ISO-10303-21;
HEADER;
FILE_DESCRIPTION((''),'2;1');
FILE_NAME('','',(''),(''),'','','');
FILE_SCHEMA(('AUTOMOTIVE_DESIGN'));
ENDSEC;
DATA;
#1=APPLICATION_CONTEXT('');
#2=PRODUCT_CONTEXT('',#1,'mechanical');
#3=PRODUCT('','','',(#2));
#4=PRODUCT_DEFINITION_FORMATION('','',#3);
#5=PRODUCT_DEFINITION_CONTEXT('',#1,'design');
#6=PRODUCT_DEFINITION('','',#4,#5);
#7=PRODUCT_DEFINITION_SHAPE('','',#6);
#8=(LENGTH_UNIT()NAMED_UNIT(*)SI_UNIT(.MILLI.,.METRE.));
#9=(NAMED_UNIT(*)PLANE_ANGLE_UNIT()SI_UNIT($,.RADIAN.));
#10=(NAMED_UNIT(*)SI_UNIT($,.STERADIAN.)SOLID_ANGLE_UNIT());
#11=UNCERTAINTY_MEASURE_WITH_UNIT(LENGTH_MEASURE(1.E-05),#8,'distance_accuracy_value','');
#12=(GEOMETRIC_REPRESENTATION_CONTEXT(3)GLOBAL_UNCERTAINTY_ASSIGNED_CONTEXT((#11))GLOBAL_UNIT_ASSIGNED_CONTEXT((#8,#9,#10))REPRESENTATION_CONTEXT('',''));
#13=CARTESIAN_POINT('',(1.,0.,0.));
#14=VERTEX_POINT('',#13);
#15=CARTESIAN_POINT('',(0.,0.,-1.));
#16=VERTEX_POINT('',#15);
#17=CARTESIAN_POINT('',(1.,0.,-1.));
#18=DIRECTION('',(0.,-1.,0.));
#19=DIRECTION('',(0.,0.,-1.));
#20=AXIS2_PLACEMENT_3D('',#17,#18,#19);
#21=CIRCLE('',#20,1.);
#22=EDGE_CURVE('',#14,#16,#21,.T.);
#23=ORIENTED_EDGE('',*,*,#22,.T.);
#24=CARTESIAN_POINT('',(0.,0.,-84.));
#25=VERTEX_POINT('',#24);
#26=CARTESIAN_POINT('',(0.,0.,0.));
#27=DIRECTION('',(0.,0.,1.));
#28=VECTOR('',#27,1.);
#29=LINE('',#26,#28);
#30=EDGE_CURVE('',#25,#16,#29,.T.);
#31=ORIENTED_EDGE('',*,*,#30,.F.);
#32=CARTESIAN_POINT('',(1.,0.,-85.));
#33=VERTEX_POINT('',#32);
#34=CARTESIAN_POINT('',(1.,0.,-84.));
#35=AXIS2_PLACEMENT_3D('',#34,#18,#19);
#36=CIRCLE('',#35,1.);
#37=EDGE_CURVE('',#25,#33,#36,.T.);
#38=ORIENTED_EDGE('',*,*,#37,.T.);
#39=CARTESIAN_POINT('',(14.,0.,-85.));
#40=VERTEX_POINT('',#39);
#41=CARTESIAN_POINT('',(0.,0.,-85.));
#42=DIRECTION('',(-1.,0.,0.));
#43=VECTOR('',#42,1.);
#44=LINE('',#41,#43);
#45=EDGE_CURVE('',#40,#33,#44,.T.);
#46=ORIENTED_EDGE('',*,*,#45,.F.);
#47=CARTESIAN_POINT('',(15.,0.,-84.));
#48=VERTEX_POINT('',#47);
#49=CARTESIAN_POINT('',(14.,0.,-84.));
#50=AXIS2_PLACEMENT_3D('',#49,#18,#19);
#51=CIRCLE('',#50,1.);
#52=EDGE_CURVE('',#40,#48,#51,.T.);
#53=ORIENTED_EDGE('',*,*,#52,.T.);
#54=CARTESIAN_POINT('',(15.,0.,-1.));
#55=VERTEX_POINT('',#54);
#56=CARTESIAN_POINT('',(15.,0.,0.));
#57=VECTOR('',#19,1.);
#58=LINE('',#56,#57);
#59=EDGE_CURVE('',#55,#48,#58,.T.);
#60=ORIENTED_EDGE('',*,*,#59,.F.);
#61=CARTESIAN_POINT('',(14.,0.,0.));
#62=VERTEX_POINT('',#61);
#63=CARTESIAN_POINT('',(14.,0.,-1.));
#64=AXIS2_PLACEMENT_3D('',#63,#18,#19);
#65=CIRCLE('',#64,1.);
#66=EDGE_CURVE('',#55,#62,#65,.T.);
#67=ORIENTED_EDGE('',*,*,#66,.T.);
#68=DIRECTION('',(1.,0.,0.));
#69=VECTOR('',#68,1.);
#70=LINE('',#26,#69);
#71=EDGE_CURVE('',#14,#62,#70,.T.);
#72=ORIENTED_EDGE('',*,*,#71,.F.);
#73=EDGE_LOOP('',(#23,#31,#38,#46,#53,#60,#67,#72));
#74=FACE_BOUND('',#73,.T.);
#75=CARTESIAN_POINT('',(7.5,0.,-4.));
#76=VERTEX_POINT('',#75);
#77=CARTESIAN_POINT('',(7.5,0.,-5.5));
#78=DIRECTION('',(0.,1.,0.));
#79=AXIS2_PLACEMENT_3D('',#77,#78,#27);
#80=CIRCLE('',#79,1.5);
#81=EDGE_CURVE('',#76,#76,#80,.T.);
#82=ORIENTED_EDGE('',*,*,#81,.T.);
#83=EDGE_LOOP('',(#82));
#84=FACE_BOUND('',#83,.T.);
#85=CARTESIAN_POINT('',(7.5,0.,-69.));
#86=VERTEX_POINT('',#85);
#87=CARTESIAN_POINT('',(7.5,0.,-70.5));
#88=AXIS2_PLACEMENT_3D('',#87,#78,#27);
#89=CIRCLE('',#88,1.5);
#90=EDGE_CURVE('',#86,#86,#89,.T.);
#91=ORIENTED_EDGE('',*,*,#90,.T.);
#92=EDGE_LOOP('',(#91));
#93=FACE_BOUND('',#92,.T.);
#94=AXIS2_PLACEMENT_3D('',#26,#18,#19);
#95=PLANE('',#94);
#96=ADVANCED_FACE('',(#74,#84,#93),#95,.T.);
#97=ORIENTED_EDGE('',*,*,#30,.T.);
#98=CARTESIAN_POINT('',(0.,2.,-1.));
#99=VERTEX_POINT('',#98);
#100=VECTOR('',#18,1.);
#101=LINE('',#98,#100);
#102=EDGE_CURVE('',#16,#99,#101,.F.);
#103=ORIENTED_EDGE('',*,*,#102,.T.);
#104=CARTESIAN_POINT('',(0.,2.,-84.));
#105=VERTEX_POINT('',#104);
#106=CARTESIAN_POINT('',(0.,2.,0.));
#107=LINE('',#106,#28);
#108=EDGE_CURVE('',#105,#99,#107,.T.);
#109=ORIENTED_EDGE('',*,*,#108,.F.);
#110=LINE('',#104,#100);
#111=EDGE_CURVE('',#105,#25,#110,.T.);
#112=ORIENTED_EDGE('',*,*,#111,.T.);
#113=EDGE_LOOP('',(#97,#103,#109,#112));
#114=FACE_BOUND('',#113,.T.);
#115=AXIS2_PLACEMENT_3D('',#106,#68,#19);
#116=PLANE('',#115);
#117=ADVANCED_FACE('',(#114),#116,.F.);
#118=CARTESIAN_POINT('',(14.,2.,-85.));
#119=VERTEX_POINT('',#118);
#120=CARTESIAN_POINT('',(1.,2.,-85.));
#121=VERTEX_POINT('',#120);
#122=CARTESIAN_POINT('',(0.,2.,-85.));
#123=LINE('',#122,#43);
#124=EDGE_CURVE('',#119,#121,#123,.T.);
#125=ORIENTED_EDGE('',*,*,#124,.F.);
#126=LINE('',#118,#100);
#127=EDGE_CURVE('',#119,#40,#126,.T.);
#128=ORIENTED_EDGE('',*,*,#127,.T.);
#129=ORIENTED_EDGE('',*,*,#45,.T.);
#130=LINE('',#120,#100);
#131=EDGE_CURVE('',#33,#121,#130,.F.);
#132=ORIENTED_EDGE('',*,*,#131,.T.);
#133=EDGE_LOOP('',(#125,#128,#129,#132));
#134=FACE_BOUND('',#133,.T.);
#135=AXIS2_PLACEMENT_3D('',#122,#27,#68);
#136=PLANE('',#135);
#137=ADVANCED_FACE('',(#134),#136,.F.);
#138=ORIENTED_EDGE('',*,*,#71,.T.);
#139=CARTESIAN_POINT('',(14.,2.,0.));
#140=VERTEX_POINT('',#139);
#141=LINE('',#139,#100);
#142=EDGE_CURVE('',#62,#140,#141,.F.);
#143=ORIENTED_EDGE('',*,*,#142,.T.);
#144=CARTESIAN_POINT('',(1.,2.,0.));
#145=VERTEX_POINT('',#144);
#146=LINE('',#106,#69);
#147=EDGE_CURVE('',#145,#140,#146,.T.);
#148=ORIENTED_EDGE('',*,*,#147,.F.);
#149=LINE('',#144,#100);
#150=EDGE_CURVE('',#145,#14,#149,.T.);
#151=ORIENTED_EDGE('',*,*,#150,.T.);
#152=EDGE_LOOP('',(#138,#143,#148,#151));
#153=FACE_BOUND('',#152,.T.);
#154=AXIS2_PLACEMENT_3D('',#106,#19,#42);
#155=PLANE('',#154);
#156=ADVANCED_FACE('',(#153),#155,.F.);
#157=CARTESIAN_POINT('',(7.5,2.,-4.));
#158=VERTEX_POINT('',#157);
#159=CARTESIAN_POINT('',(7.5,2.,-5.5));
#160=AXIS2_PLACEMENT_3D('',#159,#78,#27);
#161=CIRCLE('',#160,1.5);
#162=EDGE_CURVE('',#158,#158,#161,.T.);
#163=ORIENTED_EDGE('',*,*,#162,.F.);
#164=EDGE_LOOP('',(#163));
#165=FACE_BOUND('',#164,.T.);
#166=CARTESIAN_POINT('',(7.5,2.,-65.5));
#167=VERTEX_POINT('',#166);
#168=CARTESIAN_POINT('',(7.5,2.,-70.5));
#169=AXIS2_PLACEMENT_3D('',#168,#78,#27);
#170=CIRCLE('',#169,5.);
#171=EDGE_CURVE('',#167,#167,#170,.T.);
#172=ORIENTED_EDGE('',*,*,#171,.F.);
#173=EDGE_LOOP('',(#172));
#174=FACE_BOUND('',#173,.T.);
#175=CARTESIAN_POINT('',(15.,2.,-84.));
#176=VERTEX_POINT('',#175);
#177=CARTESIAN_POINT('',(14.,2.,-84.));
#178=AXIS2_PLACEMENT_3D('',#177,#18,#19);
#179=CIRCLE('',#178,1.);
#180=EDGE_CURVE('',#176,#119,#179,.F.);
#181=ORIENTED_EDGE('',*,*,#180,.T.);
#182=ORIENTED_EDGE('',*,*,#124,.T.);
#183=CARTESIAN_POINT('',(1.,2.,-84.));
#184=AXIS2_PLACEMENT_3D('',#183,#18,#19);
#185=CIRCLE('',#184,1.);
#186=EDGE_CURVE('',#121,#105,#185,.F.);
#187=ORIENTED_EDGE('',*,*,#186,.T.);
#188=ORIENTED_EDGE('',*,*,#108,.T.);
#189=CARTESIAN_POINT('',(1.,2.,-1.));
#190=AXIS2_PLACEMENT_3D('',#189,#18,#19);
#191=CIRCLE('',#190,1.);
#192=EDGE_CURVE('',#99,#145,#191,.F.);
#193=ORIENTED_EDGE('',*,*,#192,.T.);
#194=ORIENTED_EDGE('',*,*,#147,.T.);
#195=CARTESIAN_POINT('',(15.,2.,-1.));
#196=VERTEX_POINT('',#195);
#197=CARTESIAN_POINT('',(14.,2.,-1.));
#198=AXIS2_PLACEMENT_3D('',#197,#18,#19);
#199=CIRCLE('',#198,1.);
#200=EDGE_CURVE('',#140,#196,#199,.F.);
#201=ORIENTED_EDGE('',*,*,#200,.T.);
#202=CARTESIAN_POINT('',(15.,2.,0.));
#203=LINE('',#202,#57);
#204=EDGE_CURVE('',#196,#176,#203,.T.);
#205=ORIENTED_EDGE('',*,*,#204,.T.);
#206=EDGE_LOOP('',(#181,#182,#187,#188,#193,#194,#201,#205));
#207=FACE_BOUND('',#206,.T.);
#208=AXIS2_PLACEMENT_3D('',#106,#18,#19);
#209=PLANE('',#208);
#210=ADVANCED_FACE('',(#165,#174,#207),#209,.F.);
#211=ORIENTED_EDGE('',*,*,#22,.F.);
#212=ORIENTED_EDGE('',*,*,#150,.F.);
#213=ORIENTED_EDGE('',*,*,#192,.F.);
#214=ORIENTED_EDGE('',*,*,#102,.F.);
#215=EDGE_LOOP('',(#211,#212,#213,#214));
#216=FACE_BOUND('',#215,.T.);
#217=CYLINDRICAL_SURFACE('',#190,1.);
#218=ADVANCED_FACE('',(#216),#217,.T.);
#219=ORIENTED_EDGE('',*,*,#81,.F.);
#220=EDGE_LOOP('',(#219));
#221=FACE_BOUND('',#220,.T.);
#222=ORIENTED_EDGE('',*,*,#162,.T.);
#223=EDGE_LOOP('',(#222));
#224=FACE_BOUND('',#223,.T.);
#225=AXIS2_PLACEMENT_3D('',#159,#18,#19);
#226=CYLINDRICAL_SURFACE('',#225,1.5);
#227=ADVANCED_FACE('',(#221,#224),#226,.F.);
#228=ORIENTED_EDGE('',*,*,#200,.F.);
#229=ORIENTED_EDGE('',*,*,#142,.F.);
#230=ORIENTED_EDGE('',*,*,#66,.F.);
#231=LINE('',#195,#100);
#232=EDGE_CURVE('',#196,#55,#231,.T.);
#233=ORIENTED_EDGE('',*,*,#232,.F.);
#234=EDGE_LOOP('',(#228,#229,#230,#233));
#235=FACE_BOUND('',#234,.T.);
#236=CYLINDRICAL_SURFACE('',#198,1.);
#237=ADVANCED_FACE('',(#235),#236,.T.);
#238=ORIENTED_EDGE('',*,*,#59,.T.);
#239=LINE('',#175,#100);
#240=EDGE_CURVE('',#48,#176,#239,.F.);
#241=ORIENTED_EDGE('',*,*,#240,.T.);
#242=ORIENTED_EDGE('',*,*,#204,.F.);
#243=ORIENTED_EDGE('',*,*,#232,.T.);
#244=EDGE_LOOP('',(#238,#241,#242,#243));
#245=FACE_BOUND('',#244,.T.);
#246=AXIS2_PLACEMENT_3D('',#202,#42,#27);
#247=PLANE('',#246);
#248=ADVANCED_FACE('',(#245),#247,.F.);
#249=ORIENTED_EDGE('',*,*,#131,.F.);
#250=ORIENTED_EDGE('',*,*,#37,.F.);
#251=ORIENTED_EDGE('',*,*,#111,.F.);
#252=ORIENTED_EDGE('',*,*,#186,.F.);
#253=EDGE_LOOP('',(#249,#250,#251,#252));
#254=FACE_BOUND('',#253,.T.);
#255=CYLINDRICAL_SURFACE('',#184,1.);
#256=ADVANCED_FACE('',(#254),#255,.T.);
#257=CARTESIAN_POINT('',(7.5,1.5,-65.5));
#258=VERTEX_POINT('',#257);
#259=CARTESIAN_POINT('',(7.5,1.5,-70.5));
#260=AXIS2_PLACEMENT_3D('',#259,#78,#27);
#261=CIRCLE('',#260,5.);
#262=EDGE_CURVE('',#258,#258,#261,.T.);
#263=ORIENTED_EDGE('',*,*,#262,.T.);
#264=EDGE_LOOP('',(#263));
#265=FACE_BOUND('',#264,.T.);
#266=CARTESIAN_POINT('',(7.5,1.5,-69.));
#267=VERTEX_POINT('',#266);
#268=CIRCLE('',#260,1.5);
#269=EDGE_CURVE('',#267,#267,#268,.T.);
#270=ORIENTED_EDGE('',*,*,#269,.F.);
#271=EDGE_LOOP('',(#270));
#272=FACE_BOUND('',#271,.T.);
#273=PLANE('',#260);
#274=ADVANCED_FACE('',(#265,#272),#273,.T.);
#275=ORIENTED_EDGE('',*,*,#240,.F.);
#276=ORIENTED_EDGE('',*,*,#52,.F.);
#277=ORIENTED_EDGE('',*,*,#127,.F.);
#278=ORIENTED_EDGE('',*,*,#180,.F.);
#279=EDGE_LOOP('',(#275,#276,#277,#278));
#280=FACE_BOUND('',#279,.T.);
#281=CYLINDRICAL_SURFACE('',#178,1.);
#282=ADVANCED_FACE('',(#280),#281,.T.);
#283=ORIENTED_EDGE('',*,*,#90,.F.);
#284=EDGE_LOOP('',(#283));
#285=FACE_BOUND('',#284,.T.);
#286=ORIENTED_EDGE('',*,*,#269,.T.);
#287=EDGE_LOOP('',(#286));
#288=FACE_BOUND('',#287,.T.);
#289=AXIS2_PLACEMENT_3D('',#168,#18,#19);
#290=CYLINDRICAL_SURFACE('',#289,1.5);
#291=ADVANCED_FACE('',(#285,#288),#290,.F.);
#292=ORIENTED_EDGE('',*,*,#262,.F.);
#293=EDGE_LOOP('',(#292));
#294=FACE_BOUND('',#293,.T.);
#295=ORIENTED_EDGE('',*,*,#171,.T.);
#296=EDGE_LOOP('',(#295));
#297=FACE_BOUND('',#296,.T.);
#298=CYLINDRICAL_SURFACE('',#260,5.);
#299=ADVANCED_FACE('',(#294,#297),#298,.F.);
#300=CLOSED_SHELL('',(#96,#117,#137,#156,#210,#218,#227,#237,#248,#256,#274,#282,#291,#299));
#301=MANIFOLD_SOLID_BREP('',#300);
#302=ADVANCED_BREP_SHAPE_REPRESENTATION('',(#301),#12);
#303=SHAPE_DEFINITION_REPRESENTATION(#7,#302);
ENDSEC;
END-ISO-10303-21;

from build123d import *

# Parameters (mm, degrees)
SKETCH1_W           = 15
SKETCH1_H           = 85
SKETCH1_R           = 1.5
BOSS_EXTRUDE1_DEPTH = 2
SKETCH2_R           = 5
CUT_EXTRUDE1_DEPTH  = 0.5
FILLET1_R           = 1


with BuildPart() as part:
    # Sketch1 → Boss-Extrude1 (new body)
    with BuildSketch(Plane(origin=(0, 0, 0), x_dir=(1, 0, 0), z_dir=(0, 1, 0))):
        with Locations((7.5, 42.5)):
            Rectangle(SKETCH1_W, SKETCH1_H)
        with Locations(Location((7.5, 70.5, 0), (0, 0, 270))):
            Circle(SKETCH1_R, mode=Mode.SUBTRACT)
        with Locations(Location((7.5, 5.5, 0), (0, 0, 270))):
            Circle(SKETCH1_R, mode=Mode.SUBTRACT)
    extrude(amount=BOSS_EXTRUDE1_DEPTH)

    # Sketch2 → Cut-Extrude1 (cut)
    with BuildSketch(Plane(origin=(0, 2, 0), x_dir=(1, 0, 0), z_dir=(0, 1, 0))):
        with Locations(Location((7.5, 70.5, 0), (0, 0, 270))):
            Circle(SKETCH2_R)
    extrude(amount=-CUT_EXTRUDE1_DEPTH, mode=Mode.SUBTRACT)

    # Fillet1
    fillet1_edges = [part.edges().sort_by_distance(p)[0] for p in [
        (0, 1, -85),
        (15, 1, -85),
        (15, 1, 0),
        (0, 1, 0),
    ]]
    fillet(fillet1_edges, radius=FILLET1_R)


solid = part.part
